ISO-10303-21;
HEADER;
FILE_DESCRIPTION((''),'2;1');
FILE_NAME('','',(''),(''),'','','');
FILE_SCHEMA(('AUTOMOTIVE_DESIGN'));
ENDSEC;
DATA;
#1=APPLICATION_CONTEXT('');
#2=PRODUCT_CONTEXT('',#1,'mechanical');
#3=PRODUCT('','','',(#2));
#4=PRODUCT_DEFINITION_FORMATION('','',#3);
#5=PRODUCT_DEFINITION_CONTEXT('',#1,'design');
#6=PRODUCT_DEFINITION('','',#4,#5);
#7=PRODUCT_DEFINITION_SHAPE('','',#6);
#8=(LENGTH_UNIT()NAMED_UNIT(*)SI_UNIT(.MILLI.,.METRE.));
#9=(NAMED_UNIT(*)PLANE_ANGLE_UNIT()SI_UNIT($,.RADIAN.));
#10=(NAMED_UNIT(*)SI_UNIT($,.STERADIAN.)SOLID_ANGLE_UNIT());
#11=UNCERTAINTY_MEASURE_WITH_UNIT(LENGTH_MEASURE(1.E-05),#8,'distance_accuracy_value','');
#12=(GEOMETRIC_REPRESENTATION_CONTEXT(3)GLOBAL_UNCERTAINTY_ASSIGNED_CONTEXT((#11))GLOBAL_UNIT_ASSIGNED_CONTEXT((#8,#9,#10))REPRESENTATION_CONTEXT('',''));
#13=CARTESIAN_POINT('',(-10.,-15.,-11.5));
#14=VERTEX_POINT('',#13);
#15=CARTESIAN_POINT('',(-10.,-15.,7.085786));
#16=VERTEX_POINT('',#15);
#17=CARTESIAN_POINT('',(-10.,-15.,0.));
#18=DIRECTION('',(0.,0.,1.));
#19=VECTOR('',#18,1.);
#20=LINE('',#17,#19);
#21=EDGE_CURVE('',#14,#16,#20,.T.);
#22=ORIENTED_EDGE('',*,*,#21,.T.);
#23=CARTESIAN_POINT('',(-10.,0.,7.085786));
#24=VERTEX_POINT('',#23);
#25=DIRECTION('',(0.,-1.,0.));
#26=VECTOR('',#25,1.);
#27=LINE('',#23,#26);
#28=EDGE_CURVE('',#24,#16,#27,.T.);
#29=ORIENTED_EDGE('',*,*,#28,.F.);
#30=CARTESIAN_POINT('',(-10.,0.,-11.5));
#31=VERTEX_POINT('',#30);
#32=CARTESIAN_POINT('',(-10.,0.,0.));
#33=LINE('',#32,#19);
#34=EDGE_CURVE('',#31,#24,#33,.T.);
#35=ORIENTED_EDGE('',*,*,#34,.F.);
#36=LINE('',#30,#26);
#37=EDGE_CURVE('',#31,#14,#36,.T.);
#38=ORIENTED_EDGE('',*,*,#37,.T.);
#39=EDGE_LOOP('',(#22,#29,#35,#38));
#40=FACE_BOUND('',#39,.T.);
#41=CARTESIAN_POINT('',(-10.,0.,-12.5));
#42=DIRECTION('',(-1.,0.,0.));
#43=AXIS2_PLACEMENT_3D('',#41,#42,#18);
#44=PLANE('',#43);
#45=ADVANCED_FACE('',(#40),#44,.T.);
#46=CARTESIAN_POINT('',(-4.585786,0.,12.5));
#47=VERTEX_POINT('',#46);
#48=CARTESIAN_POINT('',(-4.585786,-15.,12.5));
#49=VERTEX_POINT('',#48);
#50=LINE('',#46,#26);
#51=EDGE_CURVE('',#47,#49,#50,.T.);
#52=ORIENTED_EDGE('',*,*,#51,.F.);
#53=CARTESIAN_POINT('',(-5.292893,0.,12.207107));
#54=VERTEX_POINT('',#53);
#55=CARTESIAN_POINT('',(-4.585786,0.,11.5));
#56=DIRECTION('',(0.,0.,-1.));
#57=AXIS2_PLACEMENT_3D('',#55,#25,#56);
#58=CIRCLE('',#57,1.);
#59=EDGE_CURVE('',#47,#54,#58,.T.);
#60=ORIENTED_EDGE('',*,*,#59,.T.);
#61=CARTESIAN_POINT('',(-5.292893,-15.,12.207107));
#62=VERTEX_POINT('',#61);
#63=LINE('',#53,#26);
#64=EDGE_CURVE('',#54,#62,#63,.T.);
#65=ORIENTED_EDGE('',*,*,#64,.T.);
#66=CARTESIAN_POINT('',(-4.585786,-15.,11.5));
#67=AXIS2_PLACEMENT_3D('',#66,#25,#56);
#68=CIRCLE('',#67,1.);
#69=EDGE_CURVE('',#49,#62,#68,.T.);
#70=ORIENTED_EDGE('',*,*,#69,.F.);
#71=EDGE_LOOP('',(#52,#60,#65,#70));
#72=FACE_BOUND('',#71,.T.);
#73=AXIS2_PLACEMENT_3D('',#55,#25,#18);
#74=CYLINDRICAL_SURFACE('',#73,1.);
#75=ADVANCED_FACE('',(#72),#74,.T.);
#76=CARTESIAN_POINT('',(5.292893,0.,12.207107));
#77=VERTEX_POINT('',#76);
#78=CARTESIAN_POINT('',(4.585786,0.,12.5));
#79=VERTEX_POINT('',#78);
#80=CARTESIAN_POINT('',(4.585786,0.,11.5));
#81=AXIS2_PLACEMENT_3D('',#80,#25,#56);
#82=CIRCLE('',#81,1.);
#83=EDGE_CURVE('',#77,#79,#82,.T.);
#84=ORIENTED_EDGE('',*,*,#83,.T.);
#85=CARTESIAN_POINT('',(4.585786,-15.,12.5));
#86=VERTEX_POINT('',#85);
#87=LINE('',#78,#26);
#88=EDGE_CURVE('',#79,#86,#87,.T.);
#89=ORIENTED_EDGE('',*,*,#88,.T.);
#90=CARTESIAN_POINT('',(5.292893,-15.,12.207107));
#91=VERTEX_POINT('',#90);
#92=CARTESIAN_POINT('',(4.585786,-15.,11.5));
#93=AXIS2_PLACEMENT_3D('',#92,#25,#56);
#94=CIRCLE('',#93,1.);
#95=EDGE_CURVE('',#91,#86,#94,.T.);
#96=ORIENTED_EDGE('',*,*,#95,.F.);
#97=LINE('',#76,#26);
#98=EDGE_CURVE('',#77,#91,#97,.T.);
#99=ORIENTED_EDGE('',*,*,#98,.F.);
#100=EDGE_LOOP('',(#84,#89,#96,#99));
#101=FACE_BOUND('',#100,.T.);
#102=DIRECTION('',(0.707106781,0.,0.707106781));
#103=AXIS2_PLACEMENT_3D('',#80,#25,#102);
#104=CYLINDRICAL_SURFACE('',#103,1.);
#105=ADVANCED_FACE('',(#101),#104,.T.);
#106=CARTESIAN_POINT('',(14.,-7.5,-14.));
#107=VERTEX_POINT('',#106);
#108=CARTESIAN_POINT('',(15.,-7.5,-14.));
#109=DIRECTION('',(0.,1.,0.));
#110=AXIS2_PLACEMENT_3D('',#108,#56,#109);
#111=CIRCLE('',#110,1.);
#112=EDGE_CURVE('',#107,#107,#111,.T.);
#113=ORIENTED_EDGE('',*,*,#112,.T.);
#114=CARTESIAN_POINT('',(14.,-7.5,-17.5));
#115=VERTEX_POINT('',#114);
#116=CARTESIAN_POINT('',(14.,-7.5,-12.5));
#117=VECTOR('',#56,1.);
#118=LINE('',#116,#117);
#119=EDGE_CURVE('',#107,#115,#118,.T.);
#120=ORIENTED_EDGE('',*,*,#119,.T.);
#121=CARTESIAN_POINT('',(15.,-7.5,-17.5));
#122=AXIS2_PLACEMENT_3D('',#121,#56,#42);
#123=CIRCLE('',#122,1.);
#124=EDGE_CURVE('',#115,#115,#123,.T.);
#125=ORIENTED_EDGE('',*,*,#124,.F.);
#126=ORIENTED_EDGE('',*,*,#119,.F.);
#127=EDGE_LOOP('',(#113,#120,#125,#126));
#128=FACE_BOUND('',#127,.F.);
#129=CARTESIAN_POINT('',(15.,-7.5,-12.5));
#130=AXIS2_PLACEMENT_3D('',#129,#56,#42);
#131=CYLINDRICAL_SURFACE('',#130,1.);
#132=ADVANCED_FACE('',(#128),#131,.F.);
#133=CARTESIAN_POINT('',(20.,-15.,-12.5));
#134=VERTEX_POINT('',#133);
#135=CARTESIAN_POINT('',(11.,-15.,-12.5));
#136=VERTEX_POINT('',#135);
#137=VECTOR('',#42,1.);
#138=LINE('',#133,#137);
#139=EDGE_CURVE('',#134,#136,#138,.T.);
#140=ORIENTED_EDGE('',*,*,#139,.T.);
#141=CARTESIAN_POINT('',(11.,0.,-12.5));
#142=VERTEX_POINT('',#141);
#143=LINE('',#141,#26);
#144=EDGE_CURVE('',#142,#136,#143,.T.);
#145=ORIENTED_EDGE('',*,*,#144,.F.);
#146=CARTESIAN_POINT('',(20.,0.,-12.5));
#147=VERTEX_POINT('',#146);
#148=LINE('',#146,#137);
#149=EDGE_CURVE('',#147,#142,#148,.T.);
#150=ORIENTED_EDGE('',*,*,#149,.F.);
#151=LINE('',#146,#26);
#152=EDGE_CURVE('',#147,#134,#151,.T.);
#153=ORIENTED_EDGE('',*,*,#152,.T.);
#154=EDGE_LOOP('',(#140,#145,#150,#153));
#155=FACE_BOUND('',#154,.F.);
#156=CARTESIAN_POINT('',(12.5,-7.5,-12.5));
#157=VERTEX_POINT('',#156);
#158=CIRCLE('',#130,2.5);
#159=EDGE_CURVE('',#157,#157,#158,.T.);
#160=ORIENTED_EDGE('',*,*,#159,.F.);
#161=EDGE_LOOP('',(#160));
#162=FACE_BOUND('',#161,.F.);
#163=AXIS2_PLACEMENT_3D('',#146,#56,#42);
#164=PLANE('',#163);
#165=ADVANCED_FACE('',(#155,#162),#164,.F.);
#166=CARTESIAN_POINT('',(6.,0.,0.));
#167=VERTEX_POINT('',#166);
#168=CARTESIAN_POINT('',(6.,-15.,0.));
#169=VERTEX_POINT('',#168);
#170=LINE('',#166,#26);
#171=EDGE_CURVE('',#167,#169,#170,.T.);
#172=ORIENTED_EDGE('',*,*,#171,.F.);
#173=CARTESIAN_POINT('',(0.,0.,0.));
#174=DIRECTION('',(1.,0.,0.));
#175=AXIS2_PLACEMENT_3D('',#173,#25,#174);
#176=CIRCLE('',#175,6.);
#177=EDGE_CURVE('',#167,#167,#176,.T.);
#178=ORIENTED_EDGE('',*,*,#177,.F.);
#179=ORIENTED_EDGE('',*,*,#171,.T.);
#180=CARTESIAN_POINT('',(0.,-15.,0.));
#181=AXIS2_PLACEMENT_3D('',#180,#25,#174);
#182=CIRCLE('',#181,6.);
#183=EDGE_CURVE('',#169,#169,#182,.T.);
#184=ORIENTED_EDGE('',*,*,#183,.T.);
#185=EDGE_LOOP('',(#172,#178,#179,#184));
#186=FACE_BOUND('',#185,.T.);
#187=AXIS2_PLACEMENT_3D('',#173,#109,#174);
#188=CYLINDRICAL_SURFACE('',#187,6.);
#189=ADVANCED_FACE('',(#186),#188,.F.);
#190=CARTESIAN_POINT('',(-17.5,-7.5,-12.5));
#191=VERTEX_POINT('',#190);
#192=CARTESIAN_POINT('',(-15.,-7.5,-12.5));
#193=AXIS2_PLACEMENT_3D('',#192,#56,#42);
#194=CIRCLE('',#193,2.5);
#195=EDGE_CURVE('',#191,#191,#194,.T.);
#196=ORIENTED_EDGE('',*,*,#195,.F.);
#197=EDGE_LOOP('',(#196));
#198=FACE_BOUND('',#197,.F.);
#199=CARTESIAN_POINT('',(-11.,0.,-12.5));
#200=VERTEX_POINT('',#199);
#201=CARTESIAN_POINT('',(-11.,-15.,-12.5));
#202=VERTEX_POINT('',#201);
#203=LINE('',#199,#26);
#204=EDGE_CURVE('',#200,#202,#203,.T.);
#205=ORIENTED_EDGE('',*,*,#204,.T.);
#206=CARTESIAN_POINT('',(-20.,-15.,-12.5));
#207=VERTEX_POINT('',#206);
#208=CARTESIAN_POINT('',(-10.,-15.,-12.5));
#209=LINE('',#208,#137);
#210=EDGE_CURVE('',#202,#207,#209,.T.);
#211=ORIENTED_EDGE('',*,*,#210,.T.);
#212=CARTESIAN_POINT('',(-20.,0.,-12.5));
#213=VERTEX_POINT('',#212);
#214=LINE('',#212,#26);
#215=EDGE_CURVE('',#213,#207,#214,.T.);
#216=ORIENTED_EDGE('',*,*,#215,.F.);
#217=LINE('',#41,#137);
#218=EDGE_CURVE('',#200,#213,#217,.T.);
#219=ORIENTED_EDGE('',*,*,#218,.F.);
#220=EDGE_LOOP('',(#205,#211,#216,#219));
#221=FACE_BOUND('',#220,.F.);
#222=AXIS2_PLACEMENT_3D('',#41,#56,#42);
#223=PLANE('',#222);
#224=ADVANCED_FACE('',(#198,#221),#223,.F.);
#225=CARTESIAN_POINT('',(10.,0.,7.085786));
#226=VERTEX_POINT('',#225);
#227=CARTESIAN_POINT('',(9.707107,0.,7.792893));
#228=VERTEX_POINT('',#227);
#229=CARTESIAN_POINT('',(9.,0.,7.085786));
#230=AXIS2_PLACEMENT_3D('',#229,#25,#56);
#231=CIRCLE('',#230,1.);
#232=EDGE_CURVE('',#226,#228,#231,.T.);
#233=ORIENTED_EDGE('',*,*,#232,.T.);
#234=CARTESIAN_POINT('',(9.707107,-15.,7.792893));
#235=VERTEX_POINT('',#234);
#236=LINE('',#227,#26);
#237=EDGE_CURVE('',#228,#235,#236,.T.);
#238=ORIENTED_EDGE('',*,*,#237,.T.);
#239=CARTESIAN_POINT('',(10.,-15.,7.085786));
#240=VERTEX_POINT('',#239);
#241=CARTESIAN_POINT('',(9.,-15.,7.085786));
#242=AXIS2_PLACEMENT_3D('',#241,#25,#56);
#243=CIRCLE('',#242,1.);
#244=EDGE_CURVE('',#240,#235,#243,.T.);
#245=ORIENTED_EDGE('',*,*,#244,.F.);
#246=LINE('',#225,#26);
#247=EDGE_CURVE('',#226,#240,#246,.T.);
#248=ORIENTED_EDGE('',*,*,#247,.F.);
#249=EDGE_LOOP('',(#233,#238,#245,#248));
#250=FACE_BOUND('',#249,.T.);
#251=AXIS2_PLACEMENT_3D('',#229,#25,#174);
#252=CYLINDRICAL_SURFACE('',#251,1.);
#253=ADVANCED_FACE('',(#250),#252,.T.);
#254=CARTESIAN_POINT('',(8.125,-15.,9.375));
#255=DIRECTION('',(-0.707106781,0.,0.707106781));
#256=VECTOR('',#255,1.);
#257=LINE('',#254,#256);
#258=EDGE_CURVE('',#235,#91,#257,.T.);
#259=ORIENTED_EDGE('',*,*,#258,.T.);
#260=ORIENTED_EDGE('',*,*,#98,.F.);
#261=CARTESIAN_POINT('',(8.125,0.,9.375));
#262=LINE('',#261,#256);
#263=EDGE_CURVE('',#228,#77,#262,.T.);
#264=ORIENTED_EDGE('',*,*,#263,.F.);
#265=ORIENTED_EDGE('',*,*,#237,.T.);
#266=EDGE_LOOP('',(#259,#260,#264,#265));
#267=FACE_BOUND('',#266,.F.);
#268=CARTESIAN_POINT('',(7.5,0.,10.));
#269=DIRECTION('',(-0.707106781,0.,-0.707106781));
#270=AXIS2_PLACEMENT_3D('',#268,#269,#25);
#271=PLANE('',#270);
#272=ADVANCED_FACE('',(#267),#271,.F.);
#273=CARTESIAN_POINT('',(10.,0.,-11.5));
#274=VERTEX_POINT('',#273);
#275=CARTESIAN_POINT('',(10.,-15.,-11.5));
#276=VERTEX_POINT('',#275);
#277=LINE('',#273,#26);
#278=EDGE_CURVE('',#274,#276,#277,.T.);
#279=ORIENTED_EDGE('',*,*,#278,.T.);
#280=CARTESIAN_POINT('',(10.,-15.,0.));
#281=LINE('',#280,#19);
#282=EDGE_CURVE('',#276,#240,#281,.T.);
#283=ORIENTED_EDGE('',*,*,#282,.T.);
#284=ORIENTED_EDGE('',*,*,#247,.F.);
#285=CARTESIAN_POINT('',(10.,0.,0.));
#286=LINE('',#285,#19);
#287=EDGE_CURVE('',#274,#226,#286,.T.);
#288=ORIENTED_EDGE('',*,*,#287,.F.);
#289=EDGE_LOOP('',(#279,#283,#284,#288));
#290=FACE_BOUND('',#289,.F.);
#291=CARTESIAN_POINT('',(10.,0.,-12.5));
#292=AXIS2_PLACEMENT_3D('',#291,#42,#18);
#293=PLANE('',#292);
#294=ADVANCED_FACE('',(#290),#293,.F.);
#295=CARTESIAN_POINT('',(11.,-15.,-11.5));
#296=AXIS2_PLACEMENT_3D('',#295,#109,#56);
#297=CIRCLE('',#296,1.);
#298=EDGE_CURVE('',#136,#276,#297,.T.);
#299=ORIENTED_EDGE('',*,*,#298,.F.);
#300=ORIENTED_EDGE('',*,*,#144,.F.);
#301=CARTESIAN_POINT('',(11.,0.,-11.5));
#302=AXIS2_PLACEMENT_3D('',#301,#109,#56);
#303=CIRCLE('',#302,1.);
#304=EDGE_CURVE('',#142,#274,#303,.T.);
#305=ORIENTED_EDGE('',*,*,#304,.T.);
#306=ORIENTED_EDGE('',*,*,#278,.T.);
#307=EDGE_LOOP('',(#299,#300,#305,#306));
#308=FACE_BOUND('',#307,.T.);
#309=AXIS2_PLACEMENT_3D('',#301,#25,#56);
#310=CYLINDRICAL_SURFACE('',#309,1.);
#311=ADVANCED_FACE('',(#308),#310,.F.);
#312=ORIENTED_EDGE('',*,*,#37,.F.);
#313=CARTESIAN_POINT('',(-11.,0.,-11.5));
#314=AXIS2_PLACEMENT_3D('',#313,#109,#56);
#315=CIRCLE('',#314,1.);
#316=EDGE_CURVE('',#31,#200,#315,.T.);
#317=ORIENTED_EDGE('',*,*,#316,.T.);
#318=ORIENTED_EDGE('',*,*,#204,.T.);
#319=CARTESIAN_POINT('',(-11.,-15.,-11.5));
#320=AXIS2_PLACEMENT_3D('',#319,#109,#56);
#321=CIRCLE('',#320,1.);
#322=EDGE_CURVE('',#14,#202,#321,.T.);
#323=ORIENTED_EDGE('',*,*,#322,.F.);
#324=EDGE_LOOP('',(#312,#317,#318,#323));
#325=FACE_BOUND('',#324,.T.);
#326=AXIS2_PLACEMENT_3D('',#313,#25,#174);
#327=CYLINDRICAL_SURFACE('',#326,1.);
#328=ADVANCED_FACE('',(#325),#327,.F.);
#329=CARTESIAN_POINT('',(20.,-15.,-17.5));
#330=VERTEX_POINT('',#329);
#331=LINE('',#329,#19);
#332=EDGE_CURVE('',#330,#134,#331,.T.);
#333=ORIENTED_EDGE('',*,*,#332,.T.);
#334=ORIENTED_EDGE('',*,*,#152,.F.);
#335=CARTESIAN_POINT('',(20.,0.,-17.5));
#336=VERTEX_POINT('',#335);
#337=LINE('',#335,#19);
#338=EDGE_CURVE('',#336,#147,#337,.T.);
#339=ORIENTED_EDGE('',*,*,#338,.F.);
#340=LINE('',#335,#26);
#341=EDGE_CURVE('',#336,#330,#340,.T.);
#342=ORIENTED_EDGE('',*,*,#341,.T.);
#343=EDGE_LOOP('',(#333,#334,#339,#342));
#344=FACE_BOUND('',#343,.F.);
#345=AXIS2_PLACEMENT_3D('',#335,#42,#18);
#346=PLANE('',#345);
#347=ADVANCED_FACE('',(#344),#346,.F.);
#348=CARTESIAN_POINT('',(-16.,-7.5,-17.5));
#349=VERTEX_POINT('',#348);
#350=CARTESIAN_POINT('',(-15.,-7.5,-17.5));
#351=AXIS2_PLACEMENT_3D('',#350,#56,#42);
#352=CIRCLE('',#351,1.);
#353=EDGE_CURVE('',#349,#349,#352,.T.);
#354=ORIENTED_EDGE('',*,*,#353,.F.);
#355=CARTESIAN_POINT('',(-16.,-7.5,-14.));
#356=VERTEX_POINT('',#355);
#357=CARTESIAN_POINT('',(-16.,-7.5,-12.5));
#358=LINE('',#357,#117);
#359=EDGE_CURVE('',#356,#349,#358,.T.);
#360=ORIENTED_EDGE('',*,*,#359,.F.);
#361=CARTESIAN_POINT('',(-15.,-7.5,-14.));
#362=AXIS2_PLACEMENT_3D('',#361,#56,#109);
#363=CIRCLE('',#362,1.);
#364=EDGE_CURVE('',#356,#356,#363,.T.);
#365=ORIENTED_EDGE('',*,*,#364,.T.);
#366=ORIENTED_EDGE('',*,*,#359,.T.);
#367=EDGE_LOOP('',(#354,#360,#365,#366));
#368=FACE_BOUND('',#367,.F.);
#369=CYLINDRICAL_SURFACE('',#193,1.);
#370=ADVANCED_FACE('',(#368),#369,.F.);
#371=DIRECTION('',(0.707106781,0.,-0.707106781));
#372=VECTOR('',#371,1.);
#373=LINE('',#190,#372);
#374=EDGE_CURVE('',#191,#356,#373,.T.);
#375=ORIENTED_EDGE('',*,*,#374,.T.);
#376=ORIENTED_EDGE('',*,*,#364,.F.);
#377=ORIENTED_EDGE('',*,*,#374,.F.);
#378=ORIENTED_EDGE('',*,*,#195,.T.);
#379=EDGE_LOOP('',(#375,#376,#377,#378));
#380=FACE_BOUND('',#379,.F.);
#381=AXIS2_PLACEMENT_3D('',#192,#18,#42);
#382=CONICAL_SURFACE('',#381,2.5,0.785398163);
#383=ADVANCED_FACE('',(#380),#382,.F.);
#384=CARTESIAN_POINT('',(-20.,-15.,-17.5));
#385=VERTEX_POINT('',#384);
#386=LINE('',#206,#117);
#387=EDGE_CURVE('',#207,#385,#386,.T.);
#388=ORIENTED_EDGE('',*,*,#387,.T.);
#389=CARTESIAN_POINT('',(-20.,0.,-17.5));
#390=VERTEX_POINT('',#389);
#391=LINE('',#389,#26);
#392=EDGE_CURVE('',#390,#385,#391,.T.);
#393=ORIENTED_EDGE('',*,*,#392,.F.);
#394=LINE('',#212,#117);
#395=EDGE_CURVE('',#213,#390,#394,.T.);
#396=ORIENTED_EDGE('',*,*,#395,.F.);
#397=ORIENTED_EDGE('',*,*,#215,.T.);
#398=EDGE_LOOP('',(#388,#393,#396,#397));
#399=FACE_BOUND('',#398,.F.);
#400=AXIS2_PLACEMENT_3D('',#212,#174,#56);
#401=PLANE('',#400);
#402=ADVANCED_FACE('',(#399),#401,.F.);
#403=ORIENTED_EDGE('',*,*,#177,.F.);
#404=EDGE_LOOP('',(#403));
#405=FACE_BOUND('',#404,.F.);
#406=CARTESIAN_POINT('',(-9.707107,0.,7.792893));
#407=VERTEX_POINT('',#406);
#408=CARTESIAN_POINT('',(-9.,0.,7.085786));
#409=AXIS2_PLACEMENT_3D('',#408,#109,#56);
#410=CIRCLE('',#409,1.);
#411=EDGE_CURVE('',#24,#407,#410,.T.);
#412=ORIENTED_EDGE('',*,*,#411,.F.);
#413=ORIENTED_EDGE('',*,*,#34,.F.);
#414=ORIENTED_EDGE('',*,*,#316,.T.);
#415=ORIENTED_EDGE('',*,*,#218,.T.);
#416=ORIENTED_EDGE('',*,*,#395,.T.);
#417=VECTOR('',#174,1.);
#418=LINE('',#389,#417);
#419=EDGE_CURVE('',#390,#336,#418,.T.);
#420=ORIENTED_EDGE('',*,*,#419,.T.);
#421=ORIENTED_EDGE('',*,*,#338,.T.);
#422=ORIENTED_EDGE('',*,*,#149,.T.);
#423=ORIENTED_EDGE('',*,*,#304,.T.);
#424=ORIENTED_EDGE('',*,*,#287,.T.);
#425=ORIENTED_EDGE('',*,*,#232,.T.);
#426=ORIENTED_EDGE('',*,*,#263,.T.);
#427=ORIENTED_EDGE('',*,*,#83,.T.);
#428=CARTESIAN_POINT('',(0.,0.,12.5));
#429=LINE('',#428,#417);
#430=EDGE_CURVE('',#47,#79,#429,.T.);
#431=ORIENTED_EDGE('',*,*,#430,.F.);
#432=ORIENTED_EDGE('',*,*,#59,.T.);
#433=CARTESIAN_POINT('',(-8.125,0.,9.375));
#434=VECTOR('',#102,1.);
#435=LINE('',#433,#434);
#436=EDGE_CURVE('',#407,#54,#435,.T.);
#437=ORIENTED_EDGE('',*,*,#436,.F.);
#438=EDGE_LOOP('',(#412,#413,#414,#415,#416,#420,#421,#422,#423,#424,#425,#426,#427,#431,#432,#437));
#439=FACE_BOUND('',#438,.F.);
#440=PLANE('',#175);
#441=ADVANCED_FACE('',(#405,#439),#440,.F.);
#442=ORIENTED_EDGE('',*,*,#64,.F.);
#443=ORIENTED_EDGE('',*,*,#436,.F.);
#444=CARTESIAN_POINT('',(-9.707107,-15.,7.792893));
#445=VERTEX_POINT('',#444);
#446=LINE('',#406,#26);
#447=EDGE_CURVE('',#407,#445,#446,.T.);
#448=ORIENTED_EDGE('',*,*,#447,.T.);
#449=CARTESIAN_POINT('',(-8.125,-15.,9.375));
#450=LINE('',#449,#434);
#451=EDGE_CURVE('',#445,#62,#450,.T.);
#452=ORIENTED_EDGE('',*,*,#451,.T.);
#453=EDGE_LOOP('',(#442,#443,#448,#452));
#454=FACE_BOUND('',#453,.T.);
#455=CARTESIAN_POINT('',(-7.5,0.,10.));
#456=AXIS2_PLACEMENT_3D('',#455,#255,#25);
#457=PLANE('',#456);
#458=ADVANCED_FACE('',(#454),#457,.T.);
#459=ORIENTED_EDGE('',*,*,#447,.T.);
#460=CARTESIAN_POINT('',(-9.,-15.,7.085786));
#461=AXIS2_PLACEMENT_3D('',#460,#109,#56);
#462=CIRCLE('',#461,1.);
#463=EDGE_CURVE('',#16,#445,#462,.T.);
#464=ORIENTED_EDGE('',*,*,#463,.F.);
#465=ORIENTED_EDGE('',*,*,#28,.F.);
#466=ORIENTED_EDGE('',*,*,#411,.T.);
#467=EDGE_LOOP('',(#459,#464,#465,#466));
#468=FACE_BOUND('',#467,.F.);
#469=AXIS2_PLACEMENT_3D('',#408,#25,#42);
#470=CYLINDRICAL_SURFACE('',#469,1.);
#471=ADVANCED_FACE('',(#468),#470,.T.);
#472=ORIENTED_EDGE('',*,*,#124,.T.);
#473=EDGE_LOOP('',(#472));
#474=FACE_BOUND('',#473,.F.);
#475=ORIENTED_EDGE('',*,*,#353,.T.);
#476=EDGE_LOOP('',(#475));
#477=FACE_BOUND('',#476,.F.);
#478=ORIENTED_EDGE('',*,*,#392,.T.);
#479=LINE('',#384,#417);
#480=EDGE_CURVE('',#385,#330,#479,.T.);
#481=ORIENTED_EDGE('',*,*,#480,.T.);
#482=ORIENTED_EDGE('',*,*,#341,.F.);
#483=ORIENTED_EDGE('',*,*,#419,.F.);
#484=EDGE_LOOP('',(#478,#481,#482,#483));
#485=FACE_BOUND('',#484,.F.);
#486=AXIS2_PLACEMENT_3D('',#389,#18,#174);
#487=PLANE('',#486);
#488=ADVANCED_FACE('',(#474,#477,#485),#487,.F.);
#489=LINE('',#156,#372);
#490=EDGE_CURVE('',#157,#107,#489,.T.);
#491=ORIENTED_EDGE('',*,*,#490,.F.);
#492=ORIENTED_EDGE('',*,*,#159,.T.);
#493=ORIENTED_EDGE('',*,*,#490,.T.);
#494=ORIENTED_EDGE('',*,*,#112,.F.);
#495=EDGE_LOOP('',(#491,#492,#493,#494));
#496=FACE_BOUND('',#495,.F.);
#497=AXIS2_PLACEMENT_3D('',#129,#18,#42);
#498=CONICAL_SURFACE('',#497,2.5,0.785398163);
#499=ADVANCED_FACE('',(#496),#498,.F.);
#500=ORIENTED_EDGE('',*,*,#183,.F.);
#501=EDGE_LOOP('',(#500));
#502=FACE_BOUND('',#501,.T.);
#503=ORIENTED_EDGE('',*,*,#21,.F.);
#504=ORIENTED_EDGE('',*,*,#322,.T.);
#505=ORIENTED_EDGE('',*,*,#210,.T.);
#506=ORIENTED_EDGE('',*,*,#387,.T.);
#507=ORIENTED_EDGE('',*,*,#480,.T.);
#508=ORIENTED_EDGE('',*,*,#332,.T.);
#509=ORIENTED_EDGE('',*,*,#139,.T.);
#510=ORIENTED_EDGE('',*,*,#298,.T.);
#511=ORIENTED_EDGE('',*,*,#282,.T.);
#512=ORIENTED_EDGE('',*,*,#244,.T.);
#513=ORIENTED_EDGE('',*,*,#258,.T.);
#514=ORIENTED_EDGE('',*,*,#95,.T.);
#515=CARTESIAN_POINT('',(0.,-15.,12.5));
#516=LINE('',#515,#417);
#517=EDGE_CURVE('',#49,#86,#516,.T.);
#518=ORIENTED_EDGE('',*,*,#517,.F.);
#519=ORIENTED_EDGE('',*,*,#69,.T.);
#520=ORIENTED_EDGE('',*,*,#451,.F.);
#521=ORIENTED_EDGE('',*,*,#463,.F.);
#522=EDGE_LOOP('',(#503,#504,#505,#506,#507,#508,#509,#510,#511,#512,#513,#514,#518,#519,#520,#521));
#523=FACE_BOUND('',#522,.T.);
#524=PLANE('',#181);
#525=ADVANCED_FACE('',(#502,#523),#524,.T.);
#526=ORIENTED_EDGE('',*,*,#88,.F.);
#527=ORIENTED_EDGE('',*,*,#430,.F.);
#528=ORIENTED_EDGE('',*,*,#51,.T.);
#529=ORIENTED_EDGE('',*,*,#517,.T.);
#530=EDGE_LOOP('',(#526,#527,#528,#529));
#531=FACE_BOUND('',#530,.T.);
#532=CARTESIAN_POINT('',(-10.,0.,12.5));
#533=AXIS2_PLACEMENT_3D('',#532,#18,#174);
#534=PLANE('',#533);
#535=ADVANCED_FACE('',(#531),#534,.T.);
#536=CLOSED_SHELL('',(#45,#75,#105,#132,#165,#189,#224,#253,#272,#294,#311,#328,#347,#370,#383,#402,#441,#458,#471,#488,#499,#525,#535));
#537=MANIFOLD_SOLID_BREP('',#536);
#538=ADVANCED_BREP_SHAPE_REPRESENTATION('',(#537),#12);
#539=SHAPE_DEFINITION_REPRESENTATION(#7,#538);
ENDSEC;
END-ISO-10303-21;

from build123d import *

# Parameters (mm, degrees)
F0_W           = 20
F0_H           = 25
F0_R           = 6
F1_DEPTH       = 15
F2_SIZE        = 5
F4_D           = 2
F4_CSINK_D     = 5
F4_CSINK_ANGLE = 90
F5_R           = 1


with BuildPart() as f1:
    # F0 (on Front) → F1 (new body)
    with BuildSketch(Plane.XZ):
        Rectangle(F0_W, F0_H)
        Circle(F0_R, mode=Mode.SUBTRACT)
        Polygon((20, -12.5), (10, -12.5), (-10, -12.5), (-20, -12.5), (-20, -17.5), (20, -17.5), align=None)
    extrude(amount=F1_DEPTH)

    # F2
    f2_edges = [f1.edges().sort_by_distance(p)[0] for p in [
        (10, -7.5, 12.5),
        (-10, -7.5, 12.5),
    ]]
    chamfer(f2_edges, length=F2_SIZE)

    # F4 (through all)
    with Locations(Plane.XY.offset(-12.5)):
        with Locations((15, -7.5), (-15, -7.5)):
            CounterSinkHole(F4_D / 2, F4_CSINK_D / 2, counter_sink_angle=F4_CSINK_ANGLE)

    # F5
    f5_edges = [f1.edges().sort_by_distance(p)[0] for p in [
        (-10, -7.5, -12.5),
        (-10, -7.5, 7.5),
        (-5, -7.5, 12.5),
        (5, -7.5, 12.5),
        (10, -7.5, 7.5),
        (10, -7.5, -12.5),
    ]]
    fillet(f5_edges, radius=F5_R)


solid = f1.part
